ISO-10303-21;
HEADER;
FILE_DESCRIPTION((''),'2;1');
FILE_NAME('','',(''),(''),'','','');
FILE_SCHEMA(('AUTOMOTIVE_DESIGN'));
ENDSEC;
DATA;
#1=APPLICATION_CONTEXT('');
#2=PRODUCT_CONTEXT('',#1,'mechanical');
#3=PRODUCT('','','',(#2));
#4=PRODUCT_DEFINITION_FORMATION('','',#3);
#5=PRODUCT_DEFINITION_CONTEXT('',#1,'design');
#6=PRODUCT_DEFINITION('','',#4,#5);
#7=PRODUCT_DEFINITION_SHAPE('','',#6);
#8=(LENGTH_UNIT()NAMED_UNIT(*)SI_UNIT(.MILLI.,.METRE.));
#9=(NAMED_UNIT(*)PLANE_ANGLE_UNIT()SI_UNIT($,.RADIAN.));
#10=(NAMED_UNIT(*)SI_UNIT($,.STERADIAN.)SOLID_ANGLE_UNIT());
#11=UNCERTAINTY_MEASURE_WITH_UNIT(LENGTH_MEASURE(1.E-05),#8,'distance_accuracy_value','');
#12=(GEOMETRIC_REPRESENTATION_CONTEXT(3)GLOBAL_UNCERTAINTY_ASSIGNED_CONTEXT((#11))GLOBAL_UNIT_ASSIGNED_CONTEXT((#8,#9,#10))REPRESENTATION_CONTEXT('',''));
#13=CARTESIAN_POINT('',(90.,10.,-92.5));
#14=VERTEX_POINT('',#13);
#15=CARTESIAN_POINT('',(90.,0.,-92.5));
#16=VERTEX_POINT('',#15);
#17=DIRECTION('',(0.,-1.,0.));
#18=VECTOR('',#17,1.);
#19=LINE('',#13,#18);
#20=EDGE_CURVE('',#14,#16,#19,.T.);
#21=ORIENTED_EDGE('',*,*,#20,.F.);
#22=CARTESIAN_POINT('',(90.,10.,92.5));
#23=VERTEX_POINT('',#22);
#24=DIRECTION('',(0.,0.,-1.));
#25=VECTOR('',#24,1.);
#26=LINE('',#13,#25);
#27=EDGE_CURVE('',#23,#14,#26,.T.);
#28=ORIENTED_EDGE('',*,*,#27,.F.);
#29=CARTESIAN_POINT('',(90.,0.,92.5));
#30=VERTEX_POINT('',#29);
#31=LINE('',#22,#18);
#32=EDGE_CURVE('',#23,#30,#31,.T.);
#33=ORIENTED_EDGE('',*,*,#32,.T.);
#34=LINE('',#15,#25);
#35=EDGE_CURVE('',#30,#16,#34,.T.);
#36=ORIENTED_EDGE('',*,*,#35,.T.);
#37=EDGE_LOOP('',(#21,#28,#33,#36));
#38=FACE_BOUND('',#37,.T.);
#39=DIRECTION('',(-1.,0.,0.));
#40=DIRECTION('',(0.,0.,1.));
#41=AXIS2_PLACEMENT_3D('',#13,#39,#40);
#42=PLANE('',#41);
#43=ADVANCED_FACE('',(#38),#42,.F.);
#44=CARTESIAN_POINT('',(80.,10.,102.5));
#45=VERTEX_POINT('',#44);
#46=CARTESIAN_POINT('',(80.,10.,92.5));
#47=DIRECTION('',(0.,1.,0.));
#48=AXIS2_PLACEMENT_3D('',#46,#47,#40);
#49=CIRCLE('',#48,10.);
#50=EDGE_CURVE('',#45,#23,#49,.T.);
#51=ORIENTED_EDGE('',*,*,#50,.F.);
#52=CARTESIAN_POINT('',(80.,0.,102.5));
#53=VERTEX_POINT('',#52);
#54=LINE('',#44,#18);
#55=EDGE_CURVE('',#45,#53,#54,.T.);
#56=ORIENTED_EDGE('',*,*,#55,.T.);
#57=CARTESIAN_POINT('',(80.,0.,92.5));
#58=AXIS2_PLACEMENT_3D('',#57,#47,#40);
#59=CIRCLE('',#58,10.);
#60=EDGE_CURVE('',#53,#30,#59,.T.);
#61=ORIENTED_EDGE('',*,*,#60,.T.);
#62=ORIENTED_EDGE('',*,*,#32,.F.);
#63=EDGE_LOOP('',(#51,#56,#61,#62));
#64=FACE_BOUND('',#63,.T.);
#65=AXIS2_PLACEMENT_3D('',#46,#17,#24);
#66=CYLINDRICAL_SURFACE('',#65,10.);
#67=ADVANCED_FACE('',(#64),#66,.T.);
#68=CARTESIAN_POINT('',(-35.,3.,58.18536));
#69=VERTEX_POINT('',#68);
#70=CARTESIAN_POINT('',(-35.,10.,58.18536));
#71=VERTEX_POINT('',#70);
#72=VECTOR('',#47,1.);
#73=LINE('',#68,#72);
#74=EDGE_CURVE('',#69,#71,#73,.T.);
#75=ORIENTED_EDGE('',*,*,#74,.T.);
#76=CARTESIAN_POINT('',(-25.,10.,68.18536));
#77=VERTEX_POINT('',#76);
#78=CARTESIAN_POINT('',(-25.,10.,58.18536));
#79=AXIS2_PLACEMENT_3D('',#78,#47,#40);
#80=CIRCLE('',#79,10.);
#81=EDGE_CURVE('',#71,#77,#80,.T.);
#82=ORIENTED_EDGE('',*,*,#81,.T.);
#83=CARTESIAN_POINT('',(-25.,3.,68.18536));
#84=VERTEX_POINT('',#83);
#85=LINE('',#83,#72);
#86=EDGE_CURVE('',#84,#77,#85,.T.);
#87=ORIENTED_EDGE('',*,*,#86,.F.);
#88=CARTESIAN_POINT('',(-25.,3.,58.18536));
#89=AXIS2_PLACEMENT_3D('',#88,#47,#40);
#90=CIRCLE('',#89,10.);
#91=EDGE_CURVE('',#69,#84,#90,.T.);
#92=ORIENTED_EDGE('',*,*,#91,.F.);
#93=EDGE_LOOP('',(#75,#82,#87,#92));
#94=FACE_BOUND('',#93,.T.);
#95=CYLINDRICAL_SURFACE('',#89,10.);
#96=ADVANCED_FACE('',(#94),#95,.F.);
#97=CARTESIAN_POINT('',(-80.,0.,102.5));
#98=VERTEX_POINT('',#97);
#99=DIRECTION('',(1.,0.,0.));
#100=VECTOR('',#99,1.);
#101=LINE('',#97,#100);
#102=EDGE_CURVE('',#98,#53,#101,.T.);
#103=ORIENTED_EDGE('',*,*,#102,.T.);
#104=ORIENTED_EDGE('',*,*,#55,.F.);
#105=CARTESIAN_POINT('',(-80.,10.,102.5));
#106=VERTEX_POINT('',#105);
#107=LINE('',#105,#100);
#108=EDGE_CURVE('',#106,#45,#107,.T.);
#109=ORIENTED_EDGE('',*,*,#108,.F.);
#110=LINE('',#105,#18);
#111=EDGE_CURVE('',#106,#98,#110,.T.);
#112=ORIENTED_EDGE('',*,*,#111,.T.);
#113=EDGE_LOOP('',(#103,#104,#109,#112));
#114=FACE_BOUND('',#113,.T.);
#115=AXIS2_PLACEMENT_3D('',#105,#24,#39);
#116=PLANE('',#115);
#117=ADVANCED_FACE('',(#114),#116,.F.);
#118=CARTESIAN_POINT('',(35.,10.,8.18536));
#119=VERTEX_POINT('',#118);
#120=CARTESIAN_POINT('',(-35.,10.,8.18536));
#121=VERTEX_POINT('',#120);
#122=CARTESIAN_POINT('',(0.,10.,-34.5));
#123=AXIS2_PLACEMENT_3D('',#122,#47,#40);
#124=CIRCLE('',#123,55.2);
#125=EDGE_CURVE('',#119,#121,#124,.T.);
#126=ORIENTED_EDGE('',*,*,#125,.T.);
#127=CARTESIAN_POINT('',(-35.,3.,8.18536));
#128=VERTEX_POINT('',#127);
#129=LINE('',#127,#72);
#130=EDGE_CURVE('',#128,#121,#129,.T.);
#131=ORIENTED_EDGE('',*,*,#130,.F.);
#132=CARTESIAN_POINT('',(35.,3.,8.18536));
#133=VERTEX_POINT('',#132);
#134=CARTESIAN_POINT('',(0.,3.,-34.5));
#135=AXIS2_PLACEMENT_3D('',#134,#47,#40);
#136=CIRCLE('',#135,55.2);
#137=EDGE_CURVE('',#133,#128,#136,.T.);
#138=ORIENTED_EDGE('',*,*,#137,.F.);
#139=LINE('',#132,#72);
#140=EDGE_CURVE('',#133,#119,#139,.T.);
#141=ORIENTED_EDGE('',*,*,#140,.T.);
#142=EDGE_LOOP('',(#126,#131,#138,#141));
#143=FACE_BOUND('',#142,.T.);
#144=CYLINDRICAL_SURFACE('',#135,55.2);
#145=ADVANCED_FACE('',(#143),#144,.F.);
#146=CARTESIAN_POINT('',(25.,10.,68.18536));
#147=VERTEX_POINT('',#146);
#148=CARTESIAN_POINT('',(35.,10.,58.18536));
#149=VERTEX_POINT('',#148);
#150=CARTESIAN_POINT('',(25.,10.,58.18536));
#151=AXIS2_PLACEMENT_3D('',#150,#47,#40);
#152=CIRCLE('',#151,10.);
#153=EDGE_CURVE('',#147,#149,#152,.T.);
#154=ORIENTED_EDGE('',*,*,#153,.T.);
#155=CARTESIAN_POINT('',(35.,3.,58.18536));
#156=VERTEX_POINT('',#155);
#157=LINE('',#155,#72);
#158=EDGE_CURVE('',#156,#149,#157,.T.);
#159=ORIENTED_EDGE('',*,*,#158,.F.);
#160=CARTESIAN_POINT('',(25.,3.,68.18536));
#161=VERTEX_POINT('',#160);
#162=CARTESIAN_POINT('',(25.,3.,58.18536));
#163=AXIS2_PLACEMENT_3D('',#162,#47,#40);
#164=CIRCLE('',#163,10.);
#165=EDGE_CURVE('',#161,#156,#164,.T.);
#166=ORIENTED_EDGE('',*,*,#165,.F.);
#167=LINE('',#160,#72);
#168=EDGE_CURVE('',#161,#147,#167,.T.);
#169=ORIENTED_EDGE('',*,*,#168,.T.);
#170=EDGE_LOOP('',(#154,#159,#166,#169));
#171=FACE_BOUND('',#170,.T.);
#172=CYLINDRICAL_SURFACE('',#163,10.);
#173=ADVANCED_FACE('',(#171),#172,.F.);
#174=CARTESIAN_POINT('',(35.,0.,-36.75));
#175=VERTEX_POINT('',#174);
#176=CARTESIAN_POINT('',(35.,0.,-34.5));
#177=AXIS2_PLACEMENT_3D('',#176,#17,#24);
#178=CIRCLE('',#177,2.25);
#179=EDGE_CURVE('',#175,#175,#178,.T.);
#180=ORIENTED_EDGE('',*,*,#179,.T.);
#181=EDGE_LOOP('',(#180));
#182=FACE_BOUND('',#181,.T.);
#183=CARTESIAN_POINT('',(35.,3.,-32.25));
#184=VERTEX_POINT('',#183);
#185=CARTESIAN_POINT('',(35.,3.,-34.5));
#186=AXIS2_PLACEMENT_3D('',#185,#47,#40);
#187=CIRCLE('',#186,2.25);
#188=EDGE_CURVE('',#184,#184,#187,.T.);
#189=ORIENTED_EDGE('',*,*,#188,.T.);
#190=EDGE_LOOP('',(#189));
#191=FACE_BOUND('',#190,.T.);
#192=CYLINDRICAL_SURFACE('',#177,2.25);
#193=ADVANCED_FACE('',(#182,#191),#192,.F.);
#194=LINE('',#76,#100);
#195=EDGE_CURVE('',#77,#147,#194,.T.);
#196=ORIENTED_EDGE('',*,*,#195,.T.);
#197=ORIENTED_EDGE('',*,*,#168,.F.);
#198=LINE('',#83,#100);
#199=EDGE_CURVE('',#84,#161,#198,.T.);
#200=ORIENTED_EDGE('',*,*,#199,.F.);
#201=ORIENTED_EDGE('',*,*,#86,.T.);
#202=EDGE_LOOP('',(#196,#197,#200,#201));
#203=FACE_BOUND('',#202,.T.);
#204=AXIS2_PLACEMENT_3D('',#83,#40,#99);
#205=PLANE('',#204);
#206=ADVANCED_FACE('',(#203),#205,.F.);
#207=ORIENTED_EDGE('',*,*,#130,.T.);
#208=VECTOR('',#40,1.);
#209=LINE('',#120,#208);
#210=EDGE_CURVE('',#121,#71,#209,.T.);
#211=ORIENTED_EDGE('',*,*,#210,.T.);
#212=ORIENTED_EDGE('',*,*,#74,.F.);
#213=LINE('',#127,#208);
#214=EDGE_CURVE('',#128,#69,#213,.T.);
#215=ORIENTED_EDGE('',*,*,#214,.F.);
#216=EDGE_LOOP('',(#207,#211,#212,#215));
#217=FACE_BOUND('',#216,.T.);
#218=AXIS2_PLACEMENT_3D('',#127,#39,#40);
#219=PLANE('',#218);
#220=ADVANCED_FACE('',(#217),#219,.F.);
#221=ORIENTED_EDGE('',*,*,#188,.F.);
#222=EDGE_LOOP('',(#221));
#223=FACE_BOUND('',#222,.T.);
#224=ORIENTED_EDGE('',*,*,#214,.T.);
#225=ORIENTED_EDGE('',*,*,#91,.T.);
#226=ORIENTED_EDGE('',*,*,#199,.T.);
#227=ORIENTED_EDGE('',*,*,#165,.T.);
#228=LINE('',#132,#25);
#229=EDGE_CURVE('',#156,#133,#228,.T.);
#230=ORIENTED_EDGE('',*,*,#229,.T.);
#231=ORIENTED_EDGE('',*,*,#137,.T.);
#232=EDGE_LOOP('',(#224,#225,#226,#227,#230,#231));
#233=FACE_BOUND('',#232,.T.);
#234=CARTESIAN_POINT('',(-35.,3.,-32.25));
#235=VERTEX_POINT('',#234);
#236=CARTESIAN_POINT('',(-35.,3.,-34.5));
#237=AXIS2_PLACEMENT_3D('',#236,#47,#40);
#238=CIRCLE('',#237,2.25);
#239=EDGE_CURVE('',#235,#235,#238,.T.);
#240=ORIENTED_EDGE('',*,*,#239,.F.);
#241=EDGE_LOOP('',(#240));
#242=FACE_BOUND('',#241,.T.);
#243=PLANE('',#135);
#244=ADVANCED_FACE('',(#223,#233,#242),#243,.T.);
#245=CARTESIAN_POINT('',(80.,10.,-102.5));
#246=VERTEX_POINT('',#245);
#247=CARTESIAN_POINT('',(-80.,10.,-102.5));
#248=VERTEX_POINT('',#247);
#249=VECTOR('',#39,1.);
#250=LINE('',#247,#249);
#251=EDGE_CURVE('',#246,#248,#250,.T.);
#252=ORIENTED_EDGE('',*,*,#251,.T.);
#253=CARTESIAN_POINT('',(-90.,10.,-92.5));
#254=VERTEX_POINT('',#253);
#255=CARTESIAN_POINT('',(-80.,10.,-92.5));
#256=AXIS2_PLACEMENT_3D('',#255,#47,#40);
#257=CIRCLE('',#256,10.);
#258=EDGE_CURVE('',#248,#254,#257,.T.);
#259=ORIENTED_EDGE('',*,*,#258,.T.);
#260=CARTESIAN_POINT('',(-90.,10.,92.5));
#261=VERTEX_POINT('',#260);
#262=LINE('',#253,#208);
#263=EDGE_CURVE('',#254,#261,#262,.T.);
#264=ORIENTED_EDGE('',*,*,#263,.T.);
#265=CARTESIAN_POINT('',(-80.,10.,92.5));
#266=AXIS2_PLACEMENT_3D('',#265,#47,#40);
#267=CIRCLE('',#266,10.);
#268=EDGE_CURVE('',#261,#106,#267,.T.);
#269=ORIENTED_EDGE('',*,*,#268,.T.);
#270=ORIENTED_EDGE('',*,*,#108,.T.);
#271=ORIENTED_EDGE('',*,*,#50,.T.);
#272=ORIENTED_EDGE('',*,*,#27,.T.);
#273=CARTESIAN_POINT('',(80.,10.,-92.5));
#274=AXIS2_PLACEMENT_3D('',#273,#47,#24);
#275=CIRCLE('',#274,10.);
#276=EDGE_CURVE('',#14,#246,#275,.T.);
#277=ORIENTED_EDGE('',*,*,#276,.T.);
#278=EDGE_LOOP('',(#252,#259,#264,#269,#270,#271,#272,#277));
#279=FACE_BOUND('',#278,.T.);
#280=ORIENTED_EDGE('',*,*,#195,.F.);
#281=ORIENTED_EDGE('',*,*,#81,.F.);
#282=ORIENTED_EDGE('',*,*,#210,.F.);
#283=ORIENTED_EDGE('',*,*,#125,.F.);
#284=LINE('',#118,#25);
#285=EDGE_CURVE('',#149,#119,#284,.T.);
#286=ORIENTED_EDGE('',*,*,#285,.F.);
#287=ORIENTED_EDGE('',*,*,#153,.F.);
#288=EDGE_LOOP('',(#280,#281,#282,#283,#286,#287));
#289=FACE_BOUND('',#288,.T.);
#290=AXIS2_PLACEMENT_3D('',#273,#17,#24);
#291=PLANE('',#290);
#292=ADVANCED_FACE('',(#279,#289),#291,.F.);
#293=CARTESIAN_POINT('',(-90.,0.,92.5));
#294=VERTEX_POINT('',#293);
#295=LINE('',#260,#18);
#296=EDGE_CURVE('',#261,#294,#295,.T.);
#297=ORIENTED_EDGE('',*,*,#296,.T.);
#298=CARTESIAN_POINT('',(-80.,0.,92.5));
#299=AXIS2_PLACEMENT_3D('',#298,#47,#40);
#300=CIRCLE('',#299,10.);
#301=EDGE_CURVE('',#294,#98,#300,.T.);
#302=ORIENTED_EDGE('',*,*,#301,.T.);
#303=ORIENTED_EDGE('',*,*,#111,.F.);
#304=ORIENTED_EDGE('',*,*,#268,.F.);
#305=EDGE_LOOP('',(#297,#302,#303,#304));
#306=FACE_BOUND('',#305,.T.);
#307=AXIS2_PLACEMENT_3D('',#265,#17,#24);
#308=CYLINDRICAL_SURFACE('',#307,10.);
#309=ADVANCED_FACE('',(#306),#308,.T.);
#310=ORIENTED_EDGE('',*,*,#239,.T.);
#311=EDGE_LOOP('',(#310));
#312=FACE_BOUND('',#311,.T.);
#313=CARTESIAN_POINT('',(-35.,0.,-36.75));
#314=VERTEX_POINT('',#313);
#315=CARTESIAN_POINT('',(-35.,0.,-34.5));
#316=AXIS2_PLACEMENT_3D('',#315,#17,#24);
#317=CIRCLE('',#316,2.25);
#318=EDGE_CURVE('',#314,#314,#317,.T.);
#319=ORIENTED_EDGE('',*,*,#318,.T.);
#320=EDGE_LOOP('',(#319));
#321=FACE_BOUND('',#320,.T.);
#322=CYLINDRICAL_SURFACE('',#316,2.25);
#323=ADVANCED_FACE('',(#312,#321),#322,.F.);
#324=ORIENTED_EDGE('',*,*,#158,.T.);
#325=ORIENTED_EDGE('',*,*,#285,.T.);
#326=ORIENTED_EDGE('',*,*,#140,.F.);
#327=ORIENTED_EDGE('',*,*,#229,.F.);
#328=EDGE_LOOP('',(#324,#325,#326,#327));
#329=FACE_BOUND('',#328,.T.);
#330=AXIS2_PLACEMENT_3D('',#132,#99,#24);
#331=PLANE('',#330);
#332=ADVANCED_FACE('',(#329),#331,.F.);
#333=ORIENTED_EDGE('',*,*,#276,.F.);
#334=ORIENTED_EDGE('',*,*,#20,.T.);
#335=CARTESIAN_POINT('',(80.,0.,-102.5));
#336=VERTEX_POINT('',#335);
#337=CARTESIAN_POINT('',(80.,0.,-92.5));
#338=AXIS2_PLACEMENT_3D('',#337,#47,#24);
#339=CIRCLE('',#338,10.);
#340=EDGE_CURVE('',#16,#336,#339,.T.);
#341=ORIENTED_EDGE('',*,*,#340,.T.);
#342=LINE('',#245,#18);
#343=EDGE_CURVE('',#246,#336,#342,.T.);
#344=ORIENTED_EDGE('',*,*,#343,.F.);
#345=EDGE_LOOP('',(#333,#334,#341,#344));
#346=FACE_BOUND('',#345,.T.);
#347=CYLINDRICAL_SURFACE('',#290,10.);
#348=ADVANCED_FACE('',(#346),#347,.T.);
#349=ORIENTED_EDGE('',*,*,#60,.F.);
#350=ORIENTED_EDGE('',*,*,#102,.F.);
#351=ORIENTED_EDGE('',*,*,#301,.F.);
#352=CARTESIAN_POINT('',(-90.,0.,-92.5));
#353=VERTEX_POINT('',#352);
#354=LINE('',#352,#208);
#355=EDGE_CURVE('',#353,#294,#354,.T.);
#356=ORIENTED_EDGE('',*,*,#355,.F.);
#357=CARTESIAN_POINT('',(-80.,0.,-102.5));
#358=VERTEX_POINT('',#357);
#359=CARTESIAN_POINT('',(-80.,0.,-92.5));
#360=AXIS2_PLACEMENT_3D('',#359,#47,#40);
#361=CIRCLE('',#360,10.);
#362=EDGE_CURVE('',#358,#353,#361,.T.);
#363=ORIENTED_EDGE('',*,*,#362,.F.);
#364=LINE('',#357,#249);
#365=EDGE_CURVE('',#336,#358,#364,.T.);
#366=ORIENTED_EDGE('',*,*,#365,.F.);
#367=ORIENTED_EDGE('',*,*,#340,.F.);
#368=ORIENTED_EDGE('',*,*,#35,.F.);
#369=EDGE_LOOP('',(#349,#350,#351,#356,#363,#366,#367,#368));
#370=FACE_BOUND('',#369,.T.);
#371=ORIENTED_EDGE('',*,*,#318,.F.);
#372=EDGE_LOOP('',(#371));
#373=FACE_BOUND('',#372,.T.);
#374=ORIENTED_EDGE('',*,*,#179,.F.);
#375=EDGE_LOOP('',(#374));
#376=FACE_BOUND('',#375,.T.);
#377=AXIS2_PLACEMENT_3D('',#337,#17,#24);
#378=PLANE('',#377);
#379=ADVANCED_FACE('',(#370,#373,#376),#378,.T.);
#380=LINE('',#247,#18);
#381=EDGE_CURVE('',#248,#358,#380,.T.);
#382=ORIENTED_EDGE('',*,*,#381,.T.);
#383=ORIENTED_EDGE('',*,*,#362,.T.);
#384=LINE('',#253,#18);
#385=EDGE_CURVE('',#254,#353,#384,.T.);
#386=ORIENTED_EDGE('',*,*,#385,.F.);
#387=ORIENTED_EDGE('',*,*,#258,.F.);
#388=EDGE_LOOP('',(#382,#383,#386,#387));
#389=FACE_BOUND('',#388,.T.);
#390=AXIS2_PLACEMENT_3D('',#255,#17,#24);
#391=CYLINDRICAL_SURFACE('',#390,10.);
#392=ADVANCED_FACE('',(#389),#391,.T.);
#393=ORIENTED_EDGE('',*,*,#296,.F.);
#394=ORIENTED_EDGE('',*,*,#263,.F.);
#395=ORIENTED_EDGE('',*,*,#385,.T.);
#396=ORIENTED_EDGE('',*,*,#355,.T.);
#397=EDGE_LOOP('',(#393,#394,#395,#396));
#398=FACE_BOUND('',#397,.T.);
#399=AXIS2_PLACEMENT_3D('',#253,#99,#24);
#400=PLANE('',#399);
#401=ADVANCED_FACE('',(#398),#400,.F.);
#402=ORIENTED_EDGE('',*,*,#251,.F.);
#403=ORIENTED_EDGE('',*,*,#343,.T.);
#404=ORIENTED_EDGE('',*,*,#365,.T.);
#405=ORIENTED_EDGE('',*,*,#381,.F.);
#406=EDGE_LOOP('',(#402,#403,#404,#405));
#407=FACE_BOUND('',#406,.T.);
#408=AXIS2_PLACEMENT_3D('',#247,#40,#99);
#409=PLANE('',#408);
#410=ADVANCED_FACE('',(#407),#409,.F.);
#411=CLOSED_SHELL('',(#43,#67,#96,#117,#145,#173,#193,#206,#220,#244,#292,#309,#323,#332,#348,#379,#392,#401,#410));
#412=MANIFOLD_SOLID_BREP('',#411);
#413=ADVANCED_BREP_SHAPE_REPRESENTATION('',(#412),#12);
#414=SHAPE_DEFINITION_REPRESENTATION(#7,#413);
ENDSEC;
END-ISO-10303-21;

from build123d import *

# Parameters (mm, degrees)
BOSS_EXTRU_1_DEPTH      = 10
ENL_V_MAT_EXTRU_1_DEPTH = 7
D_GAGEMENT_M41_D        = 4.5
D_GAGEMENT_M41_DEPTH    = 10
D_GAGEMENT_M41_TIP      = 1.351936393


with BuildPart() as part:
    # Esquisse2 → Boss.-Extru.1 (new body)
    with BuildSketch(Plane(origin=(0, 0, 0), x_dir=(1, 0, 0), z_dir=(0, 1, 0))):
        with BuildLine():
            Line((-80, 102.5), (80, 102.5))
            ThreePointArc((80, 102.5), (87.071067812, 99.571067812), (90, 92.5))
            Line((90, 92.5), (90, -92.5))
            ThreePointArc((90, -92.5), (87.071067812, -99.571067812), (80, -102.5))
            Line((80, -102.5), (-80, -102.5))
            ThreePointArc((-80, -102.5), (-87.071067812, -99.571067812), (-90, -92.5))
            Line((-90, -92.5), (-90, 92.5))
            ThreePointArc((-90, 92.5), (-87.071067812, 99.571067812), (-80, 102.5))
        make_face()
    extrude(amount=BOSS_EXTRU_1_DEPTH)

    # Esquisse3 → Enlèv. mat.-Extru.1 (cut)
    with BuildSketch(Plane(origin=(0, 10, 0), x_dir=(1, 0, 0), z_dir=(0, 1, 0))):
        with BuildLine():
            Line((-35, -8.185360488), (-35, -58.185360488))
            ThreePointArc((-35, -58.185360488), (-32.071067812, -65.2564283), (-25, -68.185360488))
            Line((-25, -68.185360488), (25, -68.185360488))
            ThreePointArc((25, -68.185360488), (32.071067812, -65.2564283), (35, -58.185360488))
            Line((35, -58.185360488), (35, -8.185360488))
            ThreePointArc((35, -8.185360488), (0, 89.7), (-35, -8.185360488))
        make_face()
    extrude(amount=-ENL_V_MAT_EXTRU_1_DEPTH, mode=Mode.SUBTRACT)

    # Dégagement M41
    with Locations(Plane(origin=(0, 0, 0), x_dir=(-1, 0, 0), z_dir=(0, -1, 0))):
        with Locations((35, 34.5), (-35, 34.5)):
            Hole(D_GAGEMENT_M41_D / 2, depth=D_GAGEMENT_M41_DEPTH)
            with Locations((0, 0, -(D_GAGEMENT_M41_DEPTH + D_GAGEMENT_M41_TIP / 2))):  # 118° drill point
                Cone(0, D_GAGEMENT_M41_D / 2, D_GAGEMENT_M41_TIP, mode=Mode.SUBTRACT)


solid = part.part
